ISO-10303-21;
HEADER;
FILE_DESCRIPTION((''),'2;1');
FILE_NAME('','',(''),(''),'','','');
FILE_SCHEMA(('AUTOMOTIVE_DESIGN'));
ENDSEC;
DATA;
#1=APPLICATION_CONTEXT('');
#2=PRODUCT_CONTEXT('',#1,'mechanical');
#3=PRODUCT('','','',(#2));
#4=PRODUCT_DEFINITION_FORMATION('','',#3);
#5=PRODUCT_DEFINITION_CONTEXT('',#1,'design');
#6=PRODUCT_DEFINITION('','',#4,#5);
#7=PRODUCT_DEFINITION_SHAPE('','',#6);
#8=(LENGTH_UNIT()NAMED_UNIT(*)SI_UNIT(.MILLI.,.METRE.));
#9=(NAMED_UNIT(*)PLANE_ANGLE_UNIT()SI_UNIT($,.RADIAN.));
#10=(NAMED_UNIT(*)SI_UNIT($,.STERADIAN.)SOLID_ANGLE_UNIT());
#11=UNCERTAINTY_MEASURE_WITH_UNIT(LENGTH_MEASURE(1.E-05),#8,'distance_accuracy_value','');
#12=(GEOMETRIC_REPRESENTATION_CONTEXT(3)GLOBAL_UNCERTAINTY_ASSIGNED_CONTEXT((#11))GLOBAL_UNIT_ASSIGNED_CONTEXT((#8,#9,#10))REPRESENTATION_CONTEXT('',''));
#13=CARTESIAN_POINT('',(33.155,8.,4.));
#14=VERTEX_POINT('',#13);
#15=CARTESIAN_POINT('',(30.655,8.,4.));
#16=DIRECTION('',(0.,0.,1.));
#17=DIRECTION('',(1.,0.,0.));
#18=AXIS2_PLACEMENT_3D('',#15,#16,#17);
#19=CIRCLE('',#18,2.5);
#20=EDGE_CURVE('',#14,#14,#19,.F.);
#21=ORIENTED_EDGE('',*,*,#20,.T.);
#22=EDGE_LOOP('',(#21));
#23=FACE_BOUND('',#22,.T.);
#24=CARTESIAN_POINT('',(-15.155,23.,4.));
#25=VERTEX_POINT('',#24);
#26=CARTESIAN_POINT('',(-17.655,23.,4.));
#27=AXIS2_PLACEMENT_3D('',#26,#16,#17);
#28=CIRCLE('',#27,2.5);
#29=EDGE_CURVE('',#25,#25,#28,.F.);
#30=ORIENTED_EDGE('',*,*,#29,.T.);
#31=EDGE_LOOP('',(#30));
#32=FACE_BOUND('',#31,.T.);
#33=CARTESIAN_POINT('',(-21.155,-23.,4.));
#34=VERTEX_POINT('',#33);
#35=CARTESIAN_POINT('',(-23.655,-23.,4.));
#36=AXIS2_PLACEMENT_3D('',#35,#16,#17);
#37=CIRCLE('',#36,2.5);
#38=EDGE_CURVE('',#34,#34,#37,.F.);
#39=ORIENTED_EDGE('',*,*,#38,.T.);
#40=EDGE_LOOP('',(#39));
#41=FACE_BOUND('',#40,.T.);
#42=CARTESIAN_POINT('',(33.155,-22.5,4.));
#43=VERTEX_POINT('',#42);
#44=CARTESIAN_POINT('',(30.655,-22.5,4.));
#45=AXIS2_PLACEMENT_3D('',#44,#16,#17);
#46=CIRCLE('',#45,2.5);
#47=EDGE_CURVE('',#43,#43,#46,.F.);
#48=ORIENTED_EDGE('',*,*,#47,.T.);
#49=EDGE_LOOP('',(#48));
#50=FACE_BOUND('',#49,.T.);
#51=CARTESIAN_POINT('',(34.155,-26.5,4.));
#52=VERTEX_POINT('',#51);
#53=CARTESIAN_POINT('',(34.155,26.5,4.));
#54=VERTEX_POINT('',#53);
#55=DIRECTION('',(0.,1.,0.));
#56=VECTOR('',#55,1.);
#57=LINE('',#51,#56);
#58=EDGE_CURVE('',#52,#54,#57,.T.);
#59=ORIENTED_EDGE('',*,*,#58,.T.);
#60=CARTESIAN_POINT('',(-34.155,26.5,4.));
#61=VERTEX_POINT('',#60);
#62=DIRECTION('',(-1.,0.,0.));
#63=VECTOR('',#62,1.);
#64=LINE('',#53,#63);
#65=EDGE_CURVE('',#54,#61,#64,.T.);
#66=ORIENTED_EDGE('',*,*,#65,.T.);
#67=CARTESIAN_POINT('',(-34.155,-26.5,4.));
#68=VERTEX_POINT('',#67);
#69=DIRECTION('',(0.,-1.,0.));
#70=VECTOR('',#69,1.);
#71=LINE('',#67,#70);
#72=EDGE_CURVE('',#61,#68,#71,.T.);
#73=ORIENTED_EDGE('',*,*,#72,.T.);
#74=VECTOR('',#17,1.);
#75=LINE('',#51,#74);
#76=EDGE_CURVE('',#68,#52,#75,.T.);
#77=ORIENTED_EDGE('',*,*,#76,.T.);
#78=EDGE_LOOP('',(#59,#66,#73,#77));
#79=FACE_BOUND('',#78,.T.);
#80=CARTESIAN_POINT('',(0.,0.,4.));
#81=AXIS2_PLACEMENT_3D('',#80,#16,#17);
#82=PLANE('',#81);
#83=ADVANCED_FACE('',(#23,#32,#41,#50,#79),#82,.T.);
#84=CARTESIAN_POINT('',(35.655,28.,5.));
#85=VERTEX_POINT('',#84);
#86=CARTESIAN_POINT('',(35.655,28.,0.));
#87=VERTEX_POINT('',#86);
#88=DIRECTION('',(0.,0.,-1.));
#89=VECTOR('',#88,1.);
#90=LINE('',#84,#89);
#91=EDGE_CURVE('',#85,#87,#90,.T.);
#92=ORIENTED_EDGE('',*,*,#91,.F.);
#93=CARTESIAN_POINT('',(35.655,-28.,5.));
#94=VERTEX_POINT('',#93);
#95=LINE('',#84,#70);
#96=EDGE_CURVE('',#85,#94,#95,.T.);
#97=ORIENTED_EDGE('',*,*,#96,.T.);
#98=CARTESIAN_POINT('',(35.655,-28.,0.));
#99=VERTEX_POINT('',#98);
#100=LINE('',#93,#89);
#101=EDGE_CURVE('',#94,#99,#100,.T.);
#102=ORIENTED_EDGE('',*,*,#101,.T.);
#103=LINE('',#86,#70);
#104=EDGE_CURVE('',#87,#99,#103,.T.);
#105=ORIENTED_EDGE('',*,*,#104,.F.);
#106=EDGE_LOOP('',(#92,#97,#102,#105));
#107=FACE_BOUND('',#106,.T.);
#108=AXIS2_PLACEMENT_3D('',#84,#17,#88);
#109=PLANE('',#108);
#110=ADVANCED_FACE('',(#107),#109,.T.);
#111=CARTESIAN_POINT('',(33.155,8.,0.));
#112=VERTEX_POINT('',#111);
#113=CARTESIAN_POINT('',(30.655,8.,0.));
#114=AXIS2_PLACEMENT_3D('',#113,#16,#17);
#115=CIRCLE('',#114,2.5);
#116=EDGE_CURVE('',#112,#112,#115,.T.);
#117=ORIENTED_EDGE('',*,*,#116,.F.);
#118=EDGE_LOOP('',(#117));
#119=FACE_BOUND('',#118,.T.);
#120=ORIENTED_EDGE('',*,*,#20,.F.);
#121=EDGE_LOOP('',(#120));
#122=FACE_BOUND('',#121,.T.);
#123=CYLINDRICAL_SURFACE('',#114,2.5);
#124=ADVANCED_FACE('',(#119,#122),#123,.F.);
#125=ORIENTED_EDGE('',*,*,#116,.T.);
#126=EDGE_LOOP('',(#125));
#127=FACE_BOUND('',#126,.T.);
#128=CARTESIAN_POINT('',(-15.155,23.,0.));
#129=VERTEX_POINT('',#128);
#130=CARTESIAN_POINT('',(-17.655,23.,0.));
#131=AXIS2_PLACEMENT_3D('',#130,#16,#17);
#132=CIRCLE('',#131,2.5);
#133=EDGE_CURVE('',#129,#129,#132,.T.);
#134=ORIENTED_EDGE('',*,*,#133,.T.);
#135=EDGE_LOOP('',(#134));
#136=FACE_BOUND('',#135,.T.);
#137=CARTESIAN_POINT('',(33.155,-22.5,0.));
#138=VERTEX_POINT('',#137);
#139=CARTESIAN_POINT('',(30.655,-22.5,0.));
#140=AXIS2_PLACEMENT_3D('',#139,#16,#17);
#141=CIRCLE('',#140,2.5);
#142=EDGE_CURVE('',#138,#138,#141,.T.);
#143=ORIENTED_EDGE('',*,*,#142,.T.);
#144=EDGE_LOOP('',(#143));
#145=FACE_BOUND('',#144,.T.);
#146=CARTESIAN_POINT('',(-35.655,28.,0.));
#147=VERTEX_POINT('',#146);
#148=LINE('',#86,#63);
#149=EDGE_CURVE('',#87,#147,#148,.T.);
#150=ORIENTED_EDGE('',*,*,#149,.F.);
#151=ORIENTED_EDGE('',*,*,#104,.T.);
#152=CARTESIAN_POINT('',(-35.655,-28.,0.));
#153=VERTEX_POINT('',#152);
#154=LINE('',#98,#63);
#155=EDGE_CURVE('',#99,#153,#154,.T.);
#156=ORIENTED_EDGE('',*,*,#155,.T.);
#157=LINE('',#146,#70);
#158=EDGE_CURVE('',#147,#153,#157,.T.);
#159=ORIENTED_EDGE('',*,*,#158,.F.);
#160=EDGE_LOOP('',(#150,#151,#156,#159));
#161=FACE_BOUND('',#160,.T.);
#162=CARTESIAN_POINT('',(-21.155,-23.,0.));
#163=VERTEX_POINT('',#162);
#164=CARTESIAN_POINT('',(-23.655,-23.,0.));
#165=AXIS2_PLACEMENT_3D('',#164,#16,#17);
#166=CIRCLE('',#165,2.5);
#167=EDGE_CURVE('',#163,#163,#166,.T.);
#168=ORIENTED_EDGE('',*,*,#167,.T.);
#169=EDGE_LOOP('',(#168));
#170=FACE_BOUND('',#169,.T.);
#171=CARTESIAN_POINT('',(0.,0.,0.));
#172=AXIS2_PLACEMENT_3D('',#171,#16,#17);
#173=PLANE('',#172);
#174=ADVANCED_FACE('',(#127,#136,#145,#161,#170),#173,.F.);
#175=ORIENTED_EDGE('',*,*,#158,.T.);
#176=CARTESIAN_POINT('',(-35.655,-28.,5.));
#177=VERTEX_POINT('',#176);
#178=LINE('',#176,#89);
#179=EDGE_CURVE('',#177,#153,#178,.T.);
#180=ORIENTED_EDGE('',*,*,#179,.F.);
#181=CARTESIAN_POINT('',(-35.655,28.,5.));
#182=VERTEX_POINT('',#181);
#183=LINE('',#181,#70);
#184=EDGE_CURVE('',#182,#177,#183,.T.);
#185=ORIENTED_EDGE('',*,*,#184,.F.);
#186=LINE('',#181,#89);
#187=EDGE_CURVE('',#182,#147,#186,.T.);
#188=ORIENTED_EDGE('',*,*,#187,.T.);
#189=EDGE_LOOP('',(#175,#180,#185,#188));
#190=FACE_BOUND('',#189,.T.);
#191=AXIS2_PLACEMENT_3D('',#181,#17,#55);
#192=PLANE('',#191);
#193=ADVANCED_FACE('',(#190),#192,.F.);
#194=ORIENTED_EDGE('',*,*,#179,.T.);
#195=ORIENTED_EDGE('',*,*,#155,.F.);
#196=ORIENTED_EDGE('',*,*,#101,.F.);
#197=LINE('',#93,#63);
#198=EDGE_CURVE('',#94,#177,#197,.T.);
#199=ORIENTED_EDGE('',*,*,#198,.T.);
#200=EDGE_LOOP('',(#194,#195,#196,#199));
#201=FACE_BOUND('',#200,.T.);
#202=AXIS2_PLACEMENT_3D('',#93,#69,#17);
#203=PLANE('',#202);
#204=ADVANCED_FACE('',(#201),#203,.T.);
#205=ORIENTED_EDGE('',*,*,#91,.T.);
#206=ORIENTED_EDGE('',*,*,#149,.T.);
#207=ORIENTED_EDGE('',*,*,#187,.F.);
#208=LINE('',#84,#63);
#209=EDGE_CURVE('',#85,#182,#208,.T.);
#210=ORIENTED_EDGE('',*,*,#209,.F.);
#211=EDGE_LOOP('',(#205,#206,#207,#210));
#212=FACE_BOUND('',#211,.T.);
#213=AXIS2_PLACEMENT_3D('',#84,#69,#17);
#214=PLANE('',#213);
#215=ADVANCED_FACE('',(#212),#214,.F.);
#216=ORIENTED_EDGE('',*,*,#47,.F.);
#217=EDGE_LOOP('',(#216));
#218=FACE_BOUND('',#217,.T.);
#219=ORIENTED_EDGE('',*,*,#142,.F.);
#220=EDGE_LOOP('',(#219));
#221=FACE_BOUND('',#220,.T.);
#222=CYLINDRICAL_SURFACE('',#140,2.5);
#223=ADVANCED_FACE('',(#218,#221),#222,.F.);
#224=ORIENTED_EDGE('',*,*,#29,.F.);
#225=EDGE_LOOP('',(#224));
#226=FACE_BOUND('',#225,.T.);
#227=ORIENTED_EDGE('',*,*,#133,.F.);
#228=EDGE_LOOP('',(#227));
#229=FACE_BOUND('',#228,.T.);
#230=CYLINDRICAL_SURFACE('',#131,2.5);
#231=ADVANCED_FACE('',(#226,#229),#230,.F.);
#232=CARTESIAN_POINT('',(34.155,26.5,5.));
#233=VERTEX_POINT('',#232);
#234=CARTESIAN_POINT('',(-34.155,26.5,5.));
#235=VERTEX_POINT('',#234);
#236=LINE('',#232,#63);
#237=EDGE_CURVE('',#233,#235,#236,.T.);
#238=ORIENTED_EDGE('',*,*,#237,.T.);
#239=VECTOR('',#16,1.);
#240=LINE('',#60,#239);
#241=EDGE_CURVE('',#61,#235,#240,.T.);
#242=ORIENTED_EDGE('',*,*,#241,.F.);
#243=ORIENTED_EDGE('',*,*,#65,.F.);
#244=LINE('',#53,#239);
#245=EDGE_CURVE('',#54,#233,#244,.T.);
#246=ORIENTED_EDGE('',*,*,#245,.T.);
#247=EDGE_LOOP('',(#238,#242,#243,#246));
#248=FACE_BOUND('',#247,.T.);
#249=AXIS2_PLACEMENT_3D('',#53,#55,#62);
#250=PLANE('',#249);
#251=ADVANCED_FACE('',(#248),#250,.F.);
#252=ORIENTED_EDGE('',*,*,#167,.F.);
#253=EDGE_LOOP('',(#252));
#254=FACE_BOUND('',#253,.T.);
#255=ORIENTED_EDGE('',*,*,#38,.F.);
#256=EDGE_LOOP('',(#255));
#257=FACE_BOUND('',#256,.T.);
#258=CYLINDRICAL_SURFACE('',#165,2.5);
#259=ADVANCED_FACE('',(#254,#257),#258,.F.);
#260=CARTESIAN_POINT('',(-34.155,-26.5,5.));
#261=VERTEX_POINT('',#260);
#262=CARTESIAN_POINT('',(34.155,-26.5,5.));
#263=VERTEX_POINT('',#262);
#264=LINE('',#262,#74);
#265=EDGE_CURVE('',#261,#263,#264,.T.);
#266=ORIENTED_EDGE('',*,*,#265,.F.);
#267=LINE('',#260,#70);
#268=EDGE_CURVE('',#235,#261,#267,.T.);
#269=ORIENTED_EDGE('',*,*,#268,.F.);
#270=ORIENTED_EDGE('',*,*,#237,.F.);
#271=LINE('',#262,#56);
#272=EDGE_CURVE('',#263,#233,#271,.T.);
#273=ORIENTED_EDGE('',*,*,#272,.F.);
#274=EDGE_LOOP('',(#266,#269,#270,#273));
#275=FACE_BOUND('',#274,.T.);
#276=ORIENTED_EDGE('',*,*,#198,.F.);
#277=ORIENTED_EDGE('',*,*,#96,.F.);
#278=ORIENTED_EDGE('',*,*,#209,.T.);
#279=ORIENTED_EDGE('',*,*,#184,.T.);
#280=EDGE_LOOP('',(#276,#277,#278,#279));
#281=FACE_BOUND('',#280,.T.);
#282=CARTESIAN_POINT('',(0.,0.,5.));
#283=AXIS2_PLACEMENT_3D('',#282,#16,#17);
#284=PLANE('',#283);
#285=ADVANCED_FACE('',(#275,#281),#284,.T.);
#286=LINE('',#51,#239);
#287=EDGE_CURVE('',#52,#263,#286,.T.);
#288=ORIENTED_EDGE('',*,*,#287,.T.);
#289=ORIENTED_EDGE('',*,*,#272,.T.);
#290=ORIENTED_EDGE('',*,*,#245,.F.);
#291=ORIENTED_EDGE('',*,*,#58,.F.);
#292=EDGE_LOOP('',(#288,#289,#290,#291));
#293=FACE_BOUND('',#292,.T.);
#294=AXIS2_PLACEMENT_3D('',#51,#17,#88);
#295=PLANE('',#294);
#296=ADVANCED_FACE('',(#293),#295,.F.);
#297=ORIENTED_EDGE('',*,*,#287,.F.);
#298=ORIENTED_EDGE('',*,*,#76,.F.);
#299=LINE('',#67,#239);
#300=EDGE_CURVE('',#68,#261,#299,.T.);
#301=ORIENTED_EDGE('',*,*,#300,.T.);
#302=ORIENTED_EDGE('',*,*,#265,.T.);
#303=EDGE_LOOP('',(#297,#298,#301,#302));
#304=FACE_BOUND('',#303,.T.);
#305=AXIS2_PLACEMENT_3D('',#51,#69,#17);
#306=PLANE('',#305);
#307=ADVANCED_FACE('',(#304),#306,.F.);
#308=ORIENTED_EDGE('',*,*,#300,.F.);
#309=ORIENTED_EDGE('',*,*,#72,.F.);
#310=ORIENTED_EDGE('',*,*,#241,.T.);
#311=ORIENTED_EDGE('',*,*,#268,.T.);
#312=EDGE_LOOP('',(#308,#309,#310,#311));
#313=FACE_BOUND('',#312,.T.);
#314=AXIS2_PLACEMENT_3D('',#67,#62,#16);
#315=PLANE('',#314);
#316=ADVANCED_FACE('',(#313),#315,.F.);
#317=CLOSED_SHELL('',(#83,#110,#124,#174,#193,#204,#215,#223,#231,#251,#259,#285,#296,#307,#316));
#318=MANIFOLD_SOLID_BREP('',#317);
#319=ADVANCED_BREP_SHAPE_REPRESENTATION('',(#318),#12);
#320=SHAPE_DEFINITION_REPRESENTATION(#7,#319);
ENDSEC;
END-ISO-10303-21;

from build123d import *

# Parameters (mm, degrees)
SKETCH1_W           = 71.31
SKETCH1_H           = 56
BOSS_EXTRUDE1_DEPTH = 5
SKETCH2_R           = 2.5
CUT_EXTRUDE1_DEPTH  = 5
SKETCH3_W           = 68.31
SKETCH3_H           = 53
CUT_EXTRUDE2_DEPTH  = 1


with BuildPart() as part:
    # Sketch1 → Boss-Extrude1 (new body)
    with BuildSketch(Plane.XY):
        Rectangle(SKETCH1_W, SKETCH1_H)
    extrude(amount=BOSS_EXTRUDE1_DEPTH)

    # Sketch2 → Cut-Extrude1 (cut)
    with BuildSketch(Plane.XY.offset(5)):
        with Locations((-23.655, -23)):
            Circle(SKETCH2_R)
        with Locations((30.655, 8)):
            Circle(SKETCH2_R)
        with Locations((-17.655, 23)):
            Circle(SKETCH2_R)
        with Locations((30.655, -22.5)):
            Circle(SKETCH2_R)
    extrude(amount=-CUT_EXTRUDE1_DEPTH, mode=Mode.SUBTRACT)

    # Sketch3 → Cut-Extrude2 (cut)
    with BuildSketch(Plane.XY.offset(5)):
        Rectangle(SKETCH3_W, SKETCH3_H)
    extrude(amount=-CUT_EXTRUDE2_DEPTH, mode=Mode.SUBTRACT)


solid = part.part
